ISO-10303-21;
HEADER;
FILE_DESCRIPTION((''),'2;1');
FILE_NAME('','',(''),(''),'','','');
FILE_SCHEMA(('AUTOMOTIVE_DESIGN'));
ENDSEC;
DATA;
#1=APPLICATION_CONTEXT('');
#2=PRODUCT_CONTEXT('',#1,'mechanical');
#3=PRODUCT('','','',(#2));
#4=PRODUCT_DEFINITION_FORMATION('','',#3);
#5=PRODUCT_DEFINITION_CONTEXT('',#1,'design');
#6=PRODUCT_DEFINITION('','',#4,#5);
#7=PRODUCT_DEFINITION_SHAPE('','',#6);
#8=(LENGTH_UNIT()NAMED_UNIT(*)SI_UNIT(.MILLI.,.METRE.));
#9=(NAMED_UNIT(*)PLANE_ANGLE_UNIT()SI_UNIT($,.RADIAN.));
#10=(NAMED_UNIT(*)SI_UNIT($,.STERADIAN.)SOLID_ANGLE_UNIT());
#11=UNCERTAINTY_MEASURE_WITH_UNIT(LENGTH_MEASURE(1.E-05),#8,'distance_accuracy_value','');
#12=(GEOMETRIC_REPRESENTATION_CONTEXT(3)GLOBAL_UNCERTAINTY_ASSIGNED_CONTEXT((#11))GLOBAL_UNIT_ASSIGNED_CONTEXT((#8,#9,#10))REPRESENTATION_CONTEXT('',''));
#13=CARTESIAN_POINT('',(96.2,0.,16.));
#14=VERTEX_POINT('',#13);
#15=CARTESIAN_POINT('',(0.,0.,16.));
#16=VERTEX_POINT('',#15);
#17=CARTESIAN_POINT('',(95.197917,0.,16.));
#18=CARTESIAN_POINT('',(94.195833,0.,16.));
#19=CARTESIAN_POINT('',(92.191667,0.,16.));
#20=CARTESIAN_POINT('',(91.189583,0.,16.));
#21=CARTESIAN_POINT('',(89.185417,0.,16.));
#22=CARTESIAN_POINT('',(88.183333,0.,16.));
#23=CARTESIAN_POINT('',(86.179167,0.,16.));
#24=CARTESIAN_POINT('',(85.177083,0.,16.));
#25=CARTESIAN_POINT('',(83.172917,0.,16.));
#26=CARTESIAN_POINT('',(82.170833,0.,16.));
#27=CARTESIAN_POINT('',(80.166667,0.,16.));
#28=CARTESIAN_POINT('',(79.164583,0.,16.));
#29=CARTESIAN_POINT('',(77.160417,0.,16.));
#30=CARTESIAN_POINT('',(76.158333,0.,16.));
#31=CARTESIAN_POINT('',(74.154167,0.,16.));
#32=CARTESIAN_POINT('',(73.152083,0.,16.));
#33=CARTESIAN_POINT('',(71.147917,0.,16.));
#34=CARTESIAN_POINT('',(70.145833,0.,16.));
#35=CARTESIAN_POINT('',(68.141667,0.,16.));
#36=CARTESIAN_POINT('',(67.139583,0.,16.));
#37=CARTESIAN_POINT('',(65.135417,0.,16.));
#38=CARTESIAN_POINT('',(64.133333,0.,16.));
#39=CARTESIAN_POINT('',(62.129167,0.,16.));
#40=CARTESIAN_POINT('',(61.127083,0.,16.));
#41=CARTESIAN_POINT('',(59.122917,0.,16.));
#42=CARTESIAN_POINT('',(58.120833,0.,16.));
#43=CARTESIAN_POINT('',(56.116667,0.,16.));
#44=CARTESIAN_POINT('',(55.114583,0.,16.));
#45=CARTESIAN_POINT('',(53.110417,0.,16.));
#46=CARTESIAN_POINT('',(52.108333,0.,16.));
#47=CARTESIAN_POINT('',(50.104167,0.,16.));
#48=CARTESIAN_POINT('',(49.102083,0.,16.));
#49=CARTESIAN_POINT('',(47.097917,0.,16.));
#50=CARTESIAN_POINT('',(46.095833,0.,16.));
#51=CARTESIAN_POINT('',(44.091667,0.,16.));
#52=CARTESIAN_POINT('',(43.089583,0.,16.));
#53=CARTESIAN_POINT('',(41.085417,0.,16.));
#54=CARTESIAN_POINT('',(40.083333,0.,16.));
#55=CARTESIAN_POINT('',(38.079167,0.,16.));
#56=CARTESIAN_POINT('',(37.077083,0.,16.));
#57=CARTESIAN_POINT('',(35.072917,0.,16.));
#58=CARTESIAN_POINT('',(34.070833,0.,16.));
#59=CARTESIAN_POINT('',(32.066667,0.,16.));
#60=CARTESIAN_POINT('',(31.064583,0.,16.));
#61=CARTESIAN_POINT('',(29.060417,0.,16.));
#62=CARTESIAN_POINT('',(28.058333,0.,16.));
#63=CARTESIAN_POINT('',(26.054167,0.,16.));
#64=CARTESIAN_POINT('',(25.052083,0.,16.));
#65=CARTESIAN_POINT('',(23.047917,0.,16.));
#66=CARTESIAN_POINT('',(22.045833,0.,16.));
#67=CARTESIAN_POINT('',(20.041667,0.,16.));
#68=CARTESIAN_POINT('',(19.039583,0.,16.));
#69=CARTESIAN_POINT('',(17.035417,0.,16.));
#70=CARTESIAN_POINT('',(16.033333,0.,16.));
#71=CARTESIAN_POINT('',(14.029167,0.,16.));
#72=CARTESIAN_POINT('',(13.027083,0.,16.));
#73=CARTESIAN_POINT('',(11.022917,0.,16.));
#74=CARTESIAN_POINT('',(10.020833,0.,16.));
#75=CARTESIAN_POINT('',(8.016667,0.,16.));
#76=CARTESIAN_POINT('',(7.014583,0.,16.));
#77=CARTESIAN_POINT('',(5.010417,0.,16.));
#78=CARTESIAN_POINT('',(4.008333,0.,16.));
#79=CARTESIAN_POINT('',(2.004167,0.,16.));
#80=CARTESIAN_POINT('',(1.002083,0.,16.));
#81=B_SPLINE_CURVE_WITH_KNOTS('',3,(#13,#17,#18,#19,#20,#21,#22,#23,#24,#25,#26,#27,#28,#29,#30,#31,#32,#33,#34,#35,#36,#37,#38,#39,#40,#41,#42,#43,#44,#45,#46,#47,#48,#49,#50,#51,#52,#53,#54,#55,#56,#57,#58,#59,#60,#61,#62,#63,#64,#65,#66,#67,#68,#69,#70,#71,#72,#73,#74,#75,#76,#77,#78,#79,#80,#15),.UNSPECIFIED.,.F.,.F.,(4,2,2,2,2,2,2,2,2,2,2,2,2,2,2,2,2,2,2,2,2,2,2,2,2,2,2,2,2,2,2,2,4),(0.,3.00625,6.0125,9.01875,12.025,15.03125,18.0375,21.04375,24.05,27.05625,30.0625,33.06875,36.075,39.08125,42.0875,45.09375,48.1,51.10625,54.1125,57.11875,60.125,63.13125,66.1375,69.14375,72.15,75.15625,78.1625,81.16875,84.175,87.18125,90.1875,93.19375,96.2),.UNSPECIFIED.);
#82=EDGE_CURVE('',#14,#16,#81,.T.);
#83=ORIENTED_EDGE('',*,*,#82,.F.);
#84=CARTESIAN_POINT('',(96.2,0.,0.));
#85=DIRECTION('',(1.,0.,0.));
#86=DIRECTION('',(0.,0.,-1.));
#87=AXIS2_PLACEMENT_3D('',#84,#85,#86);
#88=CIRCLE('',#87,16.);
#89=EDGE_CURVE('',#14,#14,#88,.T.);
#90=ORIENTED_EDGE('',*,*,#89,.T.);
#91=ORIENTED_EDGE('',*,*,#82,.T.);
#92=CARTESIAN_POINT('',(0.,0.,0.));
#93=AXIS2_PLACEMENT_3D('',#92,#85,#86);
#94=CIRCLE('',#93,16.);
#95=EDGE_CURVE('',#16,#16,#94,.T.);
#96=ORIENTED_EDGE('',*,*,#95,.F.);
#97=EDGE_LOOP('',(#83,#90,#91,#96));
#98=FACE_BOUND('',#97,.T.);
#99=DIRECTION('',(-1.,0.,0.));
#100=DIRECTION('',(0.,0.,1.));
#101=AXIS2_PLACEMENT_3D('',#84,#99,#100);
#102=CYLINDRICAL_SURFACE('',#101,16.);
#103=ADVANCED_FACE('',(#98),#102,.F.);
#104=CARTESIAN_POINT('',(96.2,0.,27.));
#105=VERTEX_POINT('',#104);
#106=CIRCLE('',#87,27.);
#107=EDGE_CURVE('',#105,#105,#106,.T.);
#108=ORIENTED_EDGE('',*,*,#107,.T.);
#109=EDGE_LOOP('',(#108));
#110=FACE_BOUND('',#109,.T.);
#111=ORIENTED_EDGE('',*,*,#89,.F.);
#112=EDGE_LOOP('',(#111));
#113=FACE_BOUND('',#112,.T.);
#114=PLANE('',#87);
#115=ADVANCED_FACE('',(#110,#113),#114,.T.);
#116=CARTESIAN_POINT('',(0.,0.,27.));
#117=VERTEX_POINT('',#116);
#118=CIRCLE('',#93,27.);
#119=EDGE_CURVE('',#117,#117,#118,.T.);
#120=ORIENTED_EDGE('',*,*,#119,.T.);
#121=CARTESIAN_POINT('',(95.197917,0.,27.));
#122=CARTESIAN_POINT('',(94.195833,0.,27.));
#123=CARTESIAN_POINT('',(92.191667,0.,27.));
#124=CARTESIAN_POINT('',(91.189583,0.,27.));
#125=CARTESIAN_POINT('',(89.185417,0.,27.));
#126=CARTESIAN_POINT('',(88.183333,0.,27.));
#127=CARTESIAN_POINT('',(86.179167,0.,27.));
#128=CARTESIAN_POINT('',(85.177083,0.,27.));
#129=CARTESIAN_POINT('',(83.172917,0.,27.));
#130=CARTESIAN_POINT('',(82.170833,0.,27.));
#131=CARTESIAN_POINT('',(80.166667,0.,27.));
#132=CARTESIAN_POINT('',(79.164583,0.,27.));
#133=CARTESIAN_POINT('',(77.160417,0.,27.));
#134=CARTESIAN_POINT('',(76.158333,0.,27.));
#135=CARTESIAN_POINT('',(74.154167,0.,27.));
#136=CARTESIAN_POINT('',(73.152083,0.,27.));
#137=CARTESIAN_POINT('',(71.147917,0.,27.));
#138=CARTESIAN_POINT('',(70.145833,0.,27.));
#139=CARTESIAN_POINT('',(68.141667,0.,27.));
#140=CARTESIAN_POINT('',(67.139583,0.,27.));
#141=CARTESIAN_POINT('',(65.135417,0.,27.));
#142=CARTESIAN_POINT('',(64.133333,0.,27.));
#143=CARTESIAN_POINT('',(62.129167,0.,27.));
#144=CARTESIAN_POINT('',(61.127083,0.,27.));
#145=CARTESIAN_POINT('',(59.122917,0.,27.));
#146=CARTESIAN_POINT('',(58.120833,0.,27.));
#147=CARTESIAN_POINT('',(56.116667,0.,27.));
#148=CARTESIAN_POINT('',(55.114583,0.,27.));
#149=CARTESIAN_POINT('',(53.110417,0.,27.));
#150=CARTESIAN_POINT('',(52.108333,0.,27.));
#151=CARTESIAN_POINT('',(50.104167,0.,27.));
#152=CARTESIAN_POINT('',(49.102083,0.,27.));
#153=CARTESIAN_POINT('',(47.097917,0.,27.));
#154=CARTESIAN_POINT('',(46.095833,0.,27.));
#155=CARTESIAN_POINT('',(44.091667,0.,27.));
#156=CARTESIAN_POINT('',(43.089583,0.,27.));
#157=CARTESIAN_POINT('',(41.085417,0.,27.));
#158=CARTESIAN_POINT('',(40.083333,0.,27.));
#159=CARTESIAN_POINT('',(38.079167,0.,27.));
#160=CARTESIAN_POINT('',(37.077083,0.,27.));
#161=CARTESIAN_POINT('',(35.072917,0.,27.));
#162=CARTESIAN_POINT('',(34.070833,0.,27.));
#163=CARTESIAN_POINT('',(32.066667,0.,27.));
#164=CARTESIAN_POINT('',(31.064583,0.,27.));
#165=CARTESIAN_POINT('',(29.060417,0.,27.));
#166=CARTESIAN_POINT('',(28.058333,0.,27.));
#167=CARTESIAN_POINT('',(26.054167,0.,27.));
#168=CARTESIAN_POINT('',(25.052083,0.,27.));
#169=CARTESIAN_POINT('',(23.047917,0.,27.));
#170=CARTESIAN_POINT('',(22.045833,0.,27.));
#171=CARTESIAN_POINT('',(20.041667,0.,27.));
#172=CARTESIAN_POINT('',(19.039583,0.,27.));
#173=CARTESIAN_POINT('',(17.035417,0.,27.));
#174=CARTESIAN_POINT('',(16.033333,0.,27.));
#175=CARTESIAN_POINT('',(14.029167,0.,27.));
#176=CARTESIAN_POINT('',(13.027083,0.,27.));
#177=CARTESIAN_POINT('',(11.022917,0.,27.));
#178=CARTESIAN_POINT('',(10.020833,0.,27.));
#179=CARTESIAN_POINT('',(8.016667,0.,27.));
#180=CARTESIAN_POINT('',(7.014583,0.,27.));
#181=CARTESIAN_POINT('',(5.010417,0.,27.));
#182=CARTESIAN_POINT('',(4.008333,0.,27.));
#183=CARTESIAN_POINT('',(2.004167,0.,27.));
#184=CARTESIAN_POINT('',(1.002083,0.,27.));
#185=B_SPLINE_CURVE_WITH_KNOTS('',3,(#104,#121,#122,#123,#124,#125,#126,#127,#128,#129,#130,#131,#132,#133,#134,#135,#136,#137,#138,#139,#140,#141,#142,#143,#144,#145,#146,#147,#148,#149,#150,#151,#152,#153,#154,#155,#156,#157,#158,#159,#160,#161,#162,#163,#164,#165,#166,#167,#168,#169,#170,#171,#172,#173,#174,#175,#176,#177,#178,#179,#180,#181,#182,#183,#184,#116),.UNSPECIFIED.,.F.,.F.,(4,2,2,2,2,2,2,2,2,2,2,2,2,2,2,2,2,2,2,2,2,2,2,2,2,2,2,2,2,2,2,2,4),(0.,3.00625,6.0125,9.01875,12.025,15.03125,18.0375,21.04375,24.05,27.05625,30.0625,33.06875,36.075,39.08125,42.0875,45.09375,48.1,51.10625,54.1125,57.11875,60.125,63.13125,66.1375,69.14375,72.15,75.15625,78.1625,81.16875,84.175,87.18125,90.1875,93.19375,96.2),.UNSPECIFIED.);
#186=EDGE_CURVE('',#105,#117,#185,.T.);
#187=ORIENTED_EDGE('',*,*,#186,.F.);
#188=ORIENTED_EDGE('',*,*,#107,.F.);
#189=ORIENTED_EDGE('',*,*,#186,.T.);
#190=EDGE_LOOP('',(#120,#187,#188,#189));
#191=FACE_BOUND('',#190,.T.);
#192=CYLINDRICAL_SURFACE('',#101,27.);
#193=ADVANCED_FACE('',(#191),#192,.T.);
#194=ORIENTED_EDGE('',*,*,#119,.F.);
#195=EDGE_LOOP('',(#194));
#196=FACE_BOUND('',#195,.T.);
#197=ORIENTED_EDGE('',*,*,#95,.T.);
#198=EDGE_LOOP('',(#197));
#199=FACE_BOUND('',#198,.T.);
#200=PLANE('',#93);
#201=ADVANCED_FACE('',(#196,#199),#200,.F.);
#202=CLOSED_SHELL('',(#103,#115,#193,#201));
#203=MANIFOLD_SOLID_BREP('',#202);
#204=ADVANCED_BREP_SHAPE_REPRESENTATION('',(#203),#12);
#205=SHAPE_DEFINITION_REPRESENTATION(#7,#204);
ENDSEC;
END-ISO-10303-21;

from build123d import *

# Parameters (mm, degrees)
SKETCH_1_R      = 27
SKETCH_1_R_2    = 16
EXTRUDE_1_DEPTH = 96.2


with BuildPart() as part:
    # 草图1 → 凸台-拉伸1 (new body)
    with BuildSketch(Plane(origin=(0, 0, 0), x_dir=(0, 0, -1), z_dir=(1, 0, 0))):
        with Locations(Location((0, 0, 0), (0, 0, 180))):
            Circle(SKETCH_1_R)
        with Locations(Location((0, 0, 0), (0, 0, 180))):
            Circle(SKETCH_1_R_2, mode=Mode.SUBTRACT)
    extrude(amount=EXTRUDE_1_DEPTH)


solid = part.part
